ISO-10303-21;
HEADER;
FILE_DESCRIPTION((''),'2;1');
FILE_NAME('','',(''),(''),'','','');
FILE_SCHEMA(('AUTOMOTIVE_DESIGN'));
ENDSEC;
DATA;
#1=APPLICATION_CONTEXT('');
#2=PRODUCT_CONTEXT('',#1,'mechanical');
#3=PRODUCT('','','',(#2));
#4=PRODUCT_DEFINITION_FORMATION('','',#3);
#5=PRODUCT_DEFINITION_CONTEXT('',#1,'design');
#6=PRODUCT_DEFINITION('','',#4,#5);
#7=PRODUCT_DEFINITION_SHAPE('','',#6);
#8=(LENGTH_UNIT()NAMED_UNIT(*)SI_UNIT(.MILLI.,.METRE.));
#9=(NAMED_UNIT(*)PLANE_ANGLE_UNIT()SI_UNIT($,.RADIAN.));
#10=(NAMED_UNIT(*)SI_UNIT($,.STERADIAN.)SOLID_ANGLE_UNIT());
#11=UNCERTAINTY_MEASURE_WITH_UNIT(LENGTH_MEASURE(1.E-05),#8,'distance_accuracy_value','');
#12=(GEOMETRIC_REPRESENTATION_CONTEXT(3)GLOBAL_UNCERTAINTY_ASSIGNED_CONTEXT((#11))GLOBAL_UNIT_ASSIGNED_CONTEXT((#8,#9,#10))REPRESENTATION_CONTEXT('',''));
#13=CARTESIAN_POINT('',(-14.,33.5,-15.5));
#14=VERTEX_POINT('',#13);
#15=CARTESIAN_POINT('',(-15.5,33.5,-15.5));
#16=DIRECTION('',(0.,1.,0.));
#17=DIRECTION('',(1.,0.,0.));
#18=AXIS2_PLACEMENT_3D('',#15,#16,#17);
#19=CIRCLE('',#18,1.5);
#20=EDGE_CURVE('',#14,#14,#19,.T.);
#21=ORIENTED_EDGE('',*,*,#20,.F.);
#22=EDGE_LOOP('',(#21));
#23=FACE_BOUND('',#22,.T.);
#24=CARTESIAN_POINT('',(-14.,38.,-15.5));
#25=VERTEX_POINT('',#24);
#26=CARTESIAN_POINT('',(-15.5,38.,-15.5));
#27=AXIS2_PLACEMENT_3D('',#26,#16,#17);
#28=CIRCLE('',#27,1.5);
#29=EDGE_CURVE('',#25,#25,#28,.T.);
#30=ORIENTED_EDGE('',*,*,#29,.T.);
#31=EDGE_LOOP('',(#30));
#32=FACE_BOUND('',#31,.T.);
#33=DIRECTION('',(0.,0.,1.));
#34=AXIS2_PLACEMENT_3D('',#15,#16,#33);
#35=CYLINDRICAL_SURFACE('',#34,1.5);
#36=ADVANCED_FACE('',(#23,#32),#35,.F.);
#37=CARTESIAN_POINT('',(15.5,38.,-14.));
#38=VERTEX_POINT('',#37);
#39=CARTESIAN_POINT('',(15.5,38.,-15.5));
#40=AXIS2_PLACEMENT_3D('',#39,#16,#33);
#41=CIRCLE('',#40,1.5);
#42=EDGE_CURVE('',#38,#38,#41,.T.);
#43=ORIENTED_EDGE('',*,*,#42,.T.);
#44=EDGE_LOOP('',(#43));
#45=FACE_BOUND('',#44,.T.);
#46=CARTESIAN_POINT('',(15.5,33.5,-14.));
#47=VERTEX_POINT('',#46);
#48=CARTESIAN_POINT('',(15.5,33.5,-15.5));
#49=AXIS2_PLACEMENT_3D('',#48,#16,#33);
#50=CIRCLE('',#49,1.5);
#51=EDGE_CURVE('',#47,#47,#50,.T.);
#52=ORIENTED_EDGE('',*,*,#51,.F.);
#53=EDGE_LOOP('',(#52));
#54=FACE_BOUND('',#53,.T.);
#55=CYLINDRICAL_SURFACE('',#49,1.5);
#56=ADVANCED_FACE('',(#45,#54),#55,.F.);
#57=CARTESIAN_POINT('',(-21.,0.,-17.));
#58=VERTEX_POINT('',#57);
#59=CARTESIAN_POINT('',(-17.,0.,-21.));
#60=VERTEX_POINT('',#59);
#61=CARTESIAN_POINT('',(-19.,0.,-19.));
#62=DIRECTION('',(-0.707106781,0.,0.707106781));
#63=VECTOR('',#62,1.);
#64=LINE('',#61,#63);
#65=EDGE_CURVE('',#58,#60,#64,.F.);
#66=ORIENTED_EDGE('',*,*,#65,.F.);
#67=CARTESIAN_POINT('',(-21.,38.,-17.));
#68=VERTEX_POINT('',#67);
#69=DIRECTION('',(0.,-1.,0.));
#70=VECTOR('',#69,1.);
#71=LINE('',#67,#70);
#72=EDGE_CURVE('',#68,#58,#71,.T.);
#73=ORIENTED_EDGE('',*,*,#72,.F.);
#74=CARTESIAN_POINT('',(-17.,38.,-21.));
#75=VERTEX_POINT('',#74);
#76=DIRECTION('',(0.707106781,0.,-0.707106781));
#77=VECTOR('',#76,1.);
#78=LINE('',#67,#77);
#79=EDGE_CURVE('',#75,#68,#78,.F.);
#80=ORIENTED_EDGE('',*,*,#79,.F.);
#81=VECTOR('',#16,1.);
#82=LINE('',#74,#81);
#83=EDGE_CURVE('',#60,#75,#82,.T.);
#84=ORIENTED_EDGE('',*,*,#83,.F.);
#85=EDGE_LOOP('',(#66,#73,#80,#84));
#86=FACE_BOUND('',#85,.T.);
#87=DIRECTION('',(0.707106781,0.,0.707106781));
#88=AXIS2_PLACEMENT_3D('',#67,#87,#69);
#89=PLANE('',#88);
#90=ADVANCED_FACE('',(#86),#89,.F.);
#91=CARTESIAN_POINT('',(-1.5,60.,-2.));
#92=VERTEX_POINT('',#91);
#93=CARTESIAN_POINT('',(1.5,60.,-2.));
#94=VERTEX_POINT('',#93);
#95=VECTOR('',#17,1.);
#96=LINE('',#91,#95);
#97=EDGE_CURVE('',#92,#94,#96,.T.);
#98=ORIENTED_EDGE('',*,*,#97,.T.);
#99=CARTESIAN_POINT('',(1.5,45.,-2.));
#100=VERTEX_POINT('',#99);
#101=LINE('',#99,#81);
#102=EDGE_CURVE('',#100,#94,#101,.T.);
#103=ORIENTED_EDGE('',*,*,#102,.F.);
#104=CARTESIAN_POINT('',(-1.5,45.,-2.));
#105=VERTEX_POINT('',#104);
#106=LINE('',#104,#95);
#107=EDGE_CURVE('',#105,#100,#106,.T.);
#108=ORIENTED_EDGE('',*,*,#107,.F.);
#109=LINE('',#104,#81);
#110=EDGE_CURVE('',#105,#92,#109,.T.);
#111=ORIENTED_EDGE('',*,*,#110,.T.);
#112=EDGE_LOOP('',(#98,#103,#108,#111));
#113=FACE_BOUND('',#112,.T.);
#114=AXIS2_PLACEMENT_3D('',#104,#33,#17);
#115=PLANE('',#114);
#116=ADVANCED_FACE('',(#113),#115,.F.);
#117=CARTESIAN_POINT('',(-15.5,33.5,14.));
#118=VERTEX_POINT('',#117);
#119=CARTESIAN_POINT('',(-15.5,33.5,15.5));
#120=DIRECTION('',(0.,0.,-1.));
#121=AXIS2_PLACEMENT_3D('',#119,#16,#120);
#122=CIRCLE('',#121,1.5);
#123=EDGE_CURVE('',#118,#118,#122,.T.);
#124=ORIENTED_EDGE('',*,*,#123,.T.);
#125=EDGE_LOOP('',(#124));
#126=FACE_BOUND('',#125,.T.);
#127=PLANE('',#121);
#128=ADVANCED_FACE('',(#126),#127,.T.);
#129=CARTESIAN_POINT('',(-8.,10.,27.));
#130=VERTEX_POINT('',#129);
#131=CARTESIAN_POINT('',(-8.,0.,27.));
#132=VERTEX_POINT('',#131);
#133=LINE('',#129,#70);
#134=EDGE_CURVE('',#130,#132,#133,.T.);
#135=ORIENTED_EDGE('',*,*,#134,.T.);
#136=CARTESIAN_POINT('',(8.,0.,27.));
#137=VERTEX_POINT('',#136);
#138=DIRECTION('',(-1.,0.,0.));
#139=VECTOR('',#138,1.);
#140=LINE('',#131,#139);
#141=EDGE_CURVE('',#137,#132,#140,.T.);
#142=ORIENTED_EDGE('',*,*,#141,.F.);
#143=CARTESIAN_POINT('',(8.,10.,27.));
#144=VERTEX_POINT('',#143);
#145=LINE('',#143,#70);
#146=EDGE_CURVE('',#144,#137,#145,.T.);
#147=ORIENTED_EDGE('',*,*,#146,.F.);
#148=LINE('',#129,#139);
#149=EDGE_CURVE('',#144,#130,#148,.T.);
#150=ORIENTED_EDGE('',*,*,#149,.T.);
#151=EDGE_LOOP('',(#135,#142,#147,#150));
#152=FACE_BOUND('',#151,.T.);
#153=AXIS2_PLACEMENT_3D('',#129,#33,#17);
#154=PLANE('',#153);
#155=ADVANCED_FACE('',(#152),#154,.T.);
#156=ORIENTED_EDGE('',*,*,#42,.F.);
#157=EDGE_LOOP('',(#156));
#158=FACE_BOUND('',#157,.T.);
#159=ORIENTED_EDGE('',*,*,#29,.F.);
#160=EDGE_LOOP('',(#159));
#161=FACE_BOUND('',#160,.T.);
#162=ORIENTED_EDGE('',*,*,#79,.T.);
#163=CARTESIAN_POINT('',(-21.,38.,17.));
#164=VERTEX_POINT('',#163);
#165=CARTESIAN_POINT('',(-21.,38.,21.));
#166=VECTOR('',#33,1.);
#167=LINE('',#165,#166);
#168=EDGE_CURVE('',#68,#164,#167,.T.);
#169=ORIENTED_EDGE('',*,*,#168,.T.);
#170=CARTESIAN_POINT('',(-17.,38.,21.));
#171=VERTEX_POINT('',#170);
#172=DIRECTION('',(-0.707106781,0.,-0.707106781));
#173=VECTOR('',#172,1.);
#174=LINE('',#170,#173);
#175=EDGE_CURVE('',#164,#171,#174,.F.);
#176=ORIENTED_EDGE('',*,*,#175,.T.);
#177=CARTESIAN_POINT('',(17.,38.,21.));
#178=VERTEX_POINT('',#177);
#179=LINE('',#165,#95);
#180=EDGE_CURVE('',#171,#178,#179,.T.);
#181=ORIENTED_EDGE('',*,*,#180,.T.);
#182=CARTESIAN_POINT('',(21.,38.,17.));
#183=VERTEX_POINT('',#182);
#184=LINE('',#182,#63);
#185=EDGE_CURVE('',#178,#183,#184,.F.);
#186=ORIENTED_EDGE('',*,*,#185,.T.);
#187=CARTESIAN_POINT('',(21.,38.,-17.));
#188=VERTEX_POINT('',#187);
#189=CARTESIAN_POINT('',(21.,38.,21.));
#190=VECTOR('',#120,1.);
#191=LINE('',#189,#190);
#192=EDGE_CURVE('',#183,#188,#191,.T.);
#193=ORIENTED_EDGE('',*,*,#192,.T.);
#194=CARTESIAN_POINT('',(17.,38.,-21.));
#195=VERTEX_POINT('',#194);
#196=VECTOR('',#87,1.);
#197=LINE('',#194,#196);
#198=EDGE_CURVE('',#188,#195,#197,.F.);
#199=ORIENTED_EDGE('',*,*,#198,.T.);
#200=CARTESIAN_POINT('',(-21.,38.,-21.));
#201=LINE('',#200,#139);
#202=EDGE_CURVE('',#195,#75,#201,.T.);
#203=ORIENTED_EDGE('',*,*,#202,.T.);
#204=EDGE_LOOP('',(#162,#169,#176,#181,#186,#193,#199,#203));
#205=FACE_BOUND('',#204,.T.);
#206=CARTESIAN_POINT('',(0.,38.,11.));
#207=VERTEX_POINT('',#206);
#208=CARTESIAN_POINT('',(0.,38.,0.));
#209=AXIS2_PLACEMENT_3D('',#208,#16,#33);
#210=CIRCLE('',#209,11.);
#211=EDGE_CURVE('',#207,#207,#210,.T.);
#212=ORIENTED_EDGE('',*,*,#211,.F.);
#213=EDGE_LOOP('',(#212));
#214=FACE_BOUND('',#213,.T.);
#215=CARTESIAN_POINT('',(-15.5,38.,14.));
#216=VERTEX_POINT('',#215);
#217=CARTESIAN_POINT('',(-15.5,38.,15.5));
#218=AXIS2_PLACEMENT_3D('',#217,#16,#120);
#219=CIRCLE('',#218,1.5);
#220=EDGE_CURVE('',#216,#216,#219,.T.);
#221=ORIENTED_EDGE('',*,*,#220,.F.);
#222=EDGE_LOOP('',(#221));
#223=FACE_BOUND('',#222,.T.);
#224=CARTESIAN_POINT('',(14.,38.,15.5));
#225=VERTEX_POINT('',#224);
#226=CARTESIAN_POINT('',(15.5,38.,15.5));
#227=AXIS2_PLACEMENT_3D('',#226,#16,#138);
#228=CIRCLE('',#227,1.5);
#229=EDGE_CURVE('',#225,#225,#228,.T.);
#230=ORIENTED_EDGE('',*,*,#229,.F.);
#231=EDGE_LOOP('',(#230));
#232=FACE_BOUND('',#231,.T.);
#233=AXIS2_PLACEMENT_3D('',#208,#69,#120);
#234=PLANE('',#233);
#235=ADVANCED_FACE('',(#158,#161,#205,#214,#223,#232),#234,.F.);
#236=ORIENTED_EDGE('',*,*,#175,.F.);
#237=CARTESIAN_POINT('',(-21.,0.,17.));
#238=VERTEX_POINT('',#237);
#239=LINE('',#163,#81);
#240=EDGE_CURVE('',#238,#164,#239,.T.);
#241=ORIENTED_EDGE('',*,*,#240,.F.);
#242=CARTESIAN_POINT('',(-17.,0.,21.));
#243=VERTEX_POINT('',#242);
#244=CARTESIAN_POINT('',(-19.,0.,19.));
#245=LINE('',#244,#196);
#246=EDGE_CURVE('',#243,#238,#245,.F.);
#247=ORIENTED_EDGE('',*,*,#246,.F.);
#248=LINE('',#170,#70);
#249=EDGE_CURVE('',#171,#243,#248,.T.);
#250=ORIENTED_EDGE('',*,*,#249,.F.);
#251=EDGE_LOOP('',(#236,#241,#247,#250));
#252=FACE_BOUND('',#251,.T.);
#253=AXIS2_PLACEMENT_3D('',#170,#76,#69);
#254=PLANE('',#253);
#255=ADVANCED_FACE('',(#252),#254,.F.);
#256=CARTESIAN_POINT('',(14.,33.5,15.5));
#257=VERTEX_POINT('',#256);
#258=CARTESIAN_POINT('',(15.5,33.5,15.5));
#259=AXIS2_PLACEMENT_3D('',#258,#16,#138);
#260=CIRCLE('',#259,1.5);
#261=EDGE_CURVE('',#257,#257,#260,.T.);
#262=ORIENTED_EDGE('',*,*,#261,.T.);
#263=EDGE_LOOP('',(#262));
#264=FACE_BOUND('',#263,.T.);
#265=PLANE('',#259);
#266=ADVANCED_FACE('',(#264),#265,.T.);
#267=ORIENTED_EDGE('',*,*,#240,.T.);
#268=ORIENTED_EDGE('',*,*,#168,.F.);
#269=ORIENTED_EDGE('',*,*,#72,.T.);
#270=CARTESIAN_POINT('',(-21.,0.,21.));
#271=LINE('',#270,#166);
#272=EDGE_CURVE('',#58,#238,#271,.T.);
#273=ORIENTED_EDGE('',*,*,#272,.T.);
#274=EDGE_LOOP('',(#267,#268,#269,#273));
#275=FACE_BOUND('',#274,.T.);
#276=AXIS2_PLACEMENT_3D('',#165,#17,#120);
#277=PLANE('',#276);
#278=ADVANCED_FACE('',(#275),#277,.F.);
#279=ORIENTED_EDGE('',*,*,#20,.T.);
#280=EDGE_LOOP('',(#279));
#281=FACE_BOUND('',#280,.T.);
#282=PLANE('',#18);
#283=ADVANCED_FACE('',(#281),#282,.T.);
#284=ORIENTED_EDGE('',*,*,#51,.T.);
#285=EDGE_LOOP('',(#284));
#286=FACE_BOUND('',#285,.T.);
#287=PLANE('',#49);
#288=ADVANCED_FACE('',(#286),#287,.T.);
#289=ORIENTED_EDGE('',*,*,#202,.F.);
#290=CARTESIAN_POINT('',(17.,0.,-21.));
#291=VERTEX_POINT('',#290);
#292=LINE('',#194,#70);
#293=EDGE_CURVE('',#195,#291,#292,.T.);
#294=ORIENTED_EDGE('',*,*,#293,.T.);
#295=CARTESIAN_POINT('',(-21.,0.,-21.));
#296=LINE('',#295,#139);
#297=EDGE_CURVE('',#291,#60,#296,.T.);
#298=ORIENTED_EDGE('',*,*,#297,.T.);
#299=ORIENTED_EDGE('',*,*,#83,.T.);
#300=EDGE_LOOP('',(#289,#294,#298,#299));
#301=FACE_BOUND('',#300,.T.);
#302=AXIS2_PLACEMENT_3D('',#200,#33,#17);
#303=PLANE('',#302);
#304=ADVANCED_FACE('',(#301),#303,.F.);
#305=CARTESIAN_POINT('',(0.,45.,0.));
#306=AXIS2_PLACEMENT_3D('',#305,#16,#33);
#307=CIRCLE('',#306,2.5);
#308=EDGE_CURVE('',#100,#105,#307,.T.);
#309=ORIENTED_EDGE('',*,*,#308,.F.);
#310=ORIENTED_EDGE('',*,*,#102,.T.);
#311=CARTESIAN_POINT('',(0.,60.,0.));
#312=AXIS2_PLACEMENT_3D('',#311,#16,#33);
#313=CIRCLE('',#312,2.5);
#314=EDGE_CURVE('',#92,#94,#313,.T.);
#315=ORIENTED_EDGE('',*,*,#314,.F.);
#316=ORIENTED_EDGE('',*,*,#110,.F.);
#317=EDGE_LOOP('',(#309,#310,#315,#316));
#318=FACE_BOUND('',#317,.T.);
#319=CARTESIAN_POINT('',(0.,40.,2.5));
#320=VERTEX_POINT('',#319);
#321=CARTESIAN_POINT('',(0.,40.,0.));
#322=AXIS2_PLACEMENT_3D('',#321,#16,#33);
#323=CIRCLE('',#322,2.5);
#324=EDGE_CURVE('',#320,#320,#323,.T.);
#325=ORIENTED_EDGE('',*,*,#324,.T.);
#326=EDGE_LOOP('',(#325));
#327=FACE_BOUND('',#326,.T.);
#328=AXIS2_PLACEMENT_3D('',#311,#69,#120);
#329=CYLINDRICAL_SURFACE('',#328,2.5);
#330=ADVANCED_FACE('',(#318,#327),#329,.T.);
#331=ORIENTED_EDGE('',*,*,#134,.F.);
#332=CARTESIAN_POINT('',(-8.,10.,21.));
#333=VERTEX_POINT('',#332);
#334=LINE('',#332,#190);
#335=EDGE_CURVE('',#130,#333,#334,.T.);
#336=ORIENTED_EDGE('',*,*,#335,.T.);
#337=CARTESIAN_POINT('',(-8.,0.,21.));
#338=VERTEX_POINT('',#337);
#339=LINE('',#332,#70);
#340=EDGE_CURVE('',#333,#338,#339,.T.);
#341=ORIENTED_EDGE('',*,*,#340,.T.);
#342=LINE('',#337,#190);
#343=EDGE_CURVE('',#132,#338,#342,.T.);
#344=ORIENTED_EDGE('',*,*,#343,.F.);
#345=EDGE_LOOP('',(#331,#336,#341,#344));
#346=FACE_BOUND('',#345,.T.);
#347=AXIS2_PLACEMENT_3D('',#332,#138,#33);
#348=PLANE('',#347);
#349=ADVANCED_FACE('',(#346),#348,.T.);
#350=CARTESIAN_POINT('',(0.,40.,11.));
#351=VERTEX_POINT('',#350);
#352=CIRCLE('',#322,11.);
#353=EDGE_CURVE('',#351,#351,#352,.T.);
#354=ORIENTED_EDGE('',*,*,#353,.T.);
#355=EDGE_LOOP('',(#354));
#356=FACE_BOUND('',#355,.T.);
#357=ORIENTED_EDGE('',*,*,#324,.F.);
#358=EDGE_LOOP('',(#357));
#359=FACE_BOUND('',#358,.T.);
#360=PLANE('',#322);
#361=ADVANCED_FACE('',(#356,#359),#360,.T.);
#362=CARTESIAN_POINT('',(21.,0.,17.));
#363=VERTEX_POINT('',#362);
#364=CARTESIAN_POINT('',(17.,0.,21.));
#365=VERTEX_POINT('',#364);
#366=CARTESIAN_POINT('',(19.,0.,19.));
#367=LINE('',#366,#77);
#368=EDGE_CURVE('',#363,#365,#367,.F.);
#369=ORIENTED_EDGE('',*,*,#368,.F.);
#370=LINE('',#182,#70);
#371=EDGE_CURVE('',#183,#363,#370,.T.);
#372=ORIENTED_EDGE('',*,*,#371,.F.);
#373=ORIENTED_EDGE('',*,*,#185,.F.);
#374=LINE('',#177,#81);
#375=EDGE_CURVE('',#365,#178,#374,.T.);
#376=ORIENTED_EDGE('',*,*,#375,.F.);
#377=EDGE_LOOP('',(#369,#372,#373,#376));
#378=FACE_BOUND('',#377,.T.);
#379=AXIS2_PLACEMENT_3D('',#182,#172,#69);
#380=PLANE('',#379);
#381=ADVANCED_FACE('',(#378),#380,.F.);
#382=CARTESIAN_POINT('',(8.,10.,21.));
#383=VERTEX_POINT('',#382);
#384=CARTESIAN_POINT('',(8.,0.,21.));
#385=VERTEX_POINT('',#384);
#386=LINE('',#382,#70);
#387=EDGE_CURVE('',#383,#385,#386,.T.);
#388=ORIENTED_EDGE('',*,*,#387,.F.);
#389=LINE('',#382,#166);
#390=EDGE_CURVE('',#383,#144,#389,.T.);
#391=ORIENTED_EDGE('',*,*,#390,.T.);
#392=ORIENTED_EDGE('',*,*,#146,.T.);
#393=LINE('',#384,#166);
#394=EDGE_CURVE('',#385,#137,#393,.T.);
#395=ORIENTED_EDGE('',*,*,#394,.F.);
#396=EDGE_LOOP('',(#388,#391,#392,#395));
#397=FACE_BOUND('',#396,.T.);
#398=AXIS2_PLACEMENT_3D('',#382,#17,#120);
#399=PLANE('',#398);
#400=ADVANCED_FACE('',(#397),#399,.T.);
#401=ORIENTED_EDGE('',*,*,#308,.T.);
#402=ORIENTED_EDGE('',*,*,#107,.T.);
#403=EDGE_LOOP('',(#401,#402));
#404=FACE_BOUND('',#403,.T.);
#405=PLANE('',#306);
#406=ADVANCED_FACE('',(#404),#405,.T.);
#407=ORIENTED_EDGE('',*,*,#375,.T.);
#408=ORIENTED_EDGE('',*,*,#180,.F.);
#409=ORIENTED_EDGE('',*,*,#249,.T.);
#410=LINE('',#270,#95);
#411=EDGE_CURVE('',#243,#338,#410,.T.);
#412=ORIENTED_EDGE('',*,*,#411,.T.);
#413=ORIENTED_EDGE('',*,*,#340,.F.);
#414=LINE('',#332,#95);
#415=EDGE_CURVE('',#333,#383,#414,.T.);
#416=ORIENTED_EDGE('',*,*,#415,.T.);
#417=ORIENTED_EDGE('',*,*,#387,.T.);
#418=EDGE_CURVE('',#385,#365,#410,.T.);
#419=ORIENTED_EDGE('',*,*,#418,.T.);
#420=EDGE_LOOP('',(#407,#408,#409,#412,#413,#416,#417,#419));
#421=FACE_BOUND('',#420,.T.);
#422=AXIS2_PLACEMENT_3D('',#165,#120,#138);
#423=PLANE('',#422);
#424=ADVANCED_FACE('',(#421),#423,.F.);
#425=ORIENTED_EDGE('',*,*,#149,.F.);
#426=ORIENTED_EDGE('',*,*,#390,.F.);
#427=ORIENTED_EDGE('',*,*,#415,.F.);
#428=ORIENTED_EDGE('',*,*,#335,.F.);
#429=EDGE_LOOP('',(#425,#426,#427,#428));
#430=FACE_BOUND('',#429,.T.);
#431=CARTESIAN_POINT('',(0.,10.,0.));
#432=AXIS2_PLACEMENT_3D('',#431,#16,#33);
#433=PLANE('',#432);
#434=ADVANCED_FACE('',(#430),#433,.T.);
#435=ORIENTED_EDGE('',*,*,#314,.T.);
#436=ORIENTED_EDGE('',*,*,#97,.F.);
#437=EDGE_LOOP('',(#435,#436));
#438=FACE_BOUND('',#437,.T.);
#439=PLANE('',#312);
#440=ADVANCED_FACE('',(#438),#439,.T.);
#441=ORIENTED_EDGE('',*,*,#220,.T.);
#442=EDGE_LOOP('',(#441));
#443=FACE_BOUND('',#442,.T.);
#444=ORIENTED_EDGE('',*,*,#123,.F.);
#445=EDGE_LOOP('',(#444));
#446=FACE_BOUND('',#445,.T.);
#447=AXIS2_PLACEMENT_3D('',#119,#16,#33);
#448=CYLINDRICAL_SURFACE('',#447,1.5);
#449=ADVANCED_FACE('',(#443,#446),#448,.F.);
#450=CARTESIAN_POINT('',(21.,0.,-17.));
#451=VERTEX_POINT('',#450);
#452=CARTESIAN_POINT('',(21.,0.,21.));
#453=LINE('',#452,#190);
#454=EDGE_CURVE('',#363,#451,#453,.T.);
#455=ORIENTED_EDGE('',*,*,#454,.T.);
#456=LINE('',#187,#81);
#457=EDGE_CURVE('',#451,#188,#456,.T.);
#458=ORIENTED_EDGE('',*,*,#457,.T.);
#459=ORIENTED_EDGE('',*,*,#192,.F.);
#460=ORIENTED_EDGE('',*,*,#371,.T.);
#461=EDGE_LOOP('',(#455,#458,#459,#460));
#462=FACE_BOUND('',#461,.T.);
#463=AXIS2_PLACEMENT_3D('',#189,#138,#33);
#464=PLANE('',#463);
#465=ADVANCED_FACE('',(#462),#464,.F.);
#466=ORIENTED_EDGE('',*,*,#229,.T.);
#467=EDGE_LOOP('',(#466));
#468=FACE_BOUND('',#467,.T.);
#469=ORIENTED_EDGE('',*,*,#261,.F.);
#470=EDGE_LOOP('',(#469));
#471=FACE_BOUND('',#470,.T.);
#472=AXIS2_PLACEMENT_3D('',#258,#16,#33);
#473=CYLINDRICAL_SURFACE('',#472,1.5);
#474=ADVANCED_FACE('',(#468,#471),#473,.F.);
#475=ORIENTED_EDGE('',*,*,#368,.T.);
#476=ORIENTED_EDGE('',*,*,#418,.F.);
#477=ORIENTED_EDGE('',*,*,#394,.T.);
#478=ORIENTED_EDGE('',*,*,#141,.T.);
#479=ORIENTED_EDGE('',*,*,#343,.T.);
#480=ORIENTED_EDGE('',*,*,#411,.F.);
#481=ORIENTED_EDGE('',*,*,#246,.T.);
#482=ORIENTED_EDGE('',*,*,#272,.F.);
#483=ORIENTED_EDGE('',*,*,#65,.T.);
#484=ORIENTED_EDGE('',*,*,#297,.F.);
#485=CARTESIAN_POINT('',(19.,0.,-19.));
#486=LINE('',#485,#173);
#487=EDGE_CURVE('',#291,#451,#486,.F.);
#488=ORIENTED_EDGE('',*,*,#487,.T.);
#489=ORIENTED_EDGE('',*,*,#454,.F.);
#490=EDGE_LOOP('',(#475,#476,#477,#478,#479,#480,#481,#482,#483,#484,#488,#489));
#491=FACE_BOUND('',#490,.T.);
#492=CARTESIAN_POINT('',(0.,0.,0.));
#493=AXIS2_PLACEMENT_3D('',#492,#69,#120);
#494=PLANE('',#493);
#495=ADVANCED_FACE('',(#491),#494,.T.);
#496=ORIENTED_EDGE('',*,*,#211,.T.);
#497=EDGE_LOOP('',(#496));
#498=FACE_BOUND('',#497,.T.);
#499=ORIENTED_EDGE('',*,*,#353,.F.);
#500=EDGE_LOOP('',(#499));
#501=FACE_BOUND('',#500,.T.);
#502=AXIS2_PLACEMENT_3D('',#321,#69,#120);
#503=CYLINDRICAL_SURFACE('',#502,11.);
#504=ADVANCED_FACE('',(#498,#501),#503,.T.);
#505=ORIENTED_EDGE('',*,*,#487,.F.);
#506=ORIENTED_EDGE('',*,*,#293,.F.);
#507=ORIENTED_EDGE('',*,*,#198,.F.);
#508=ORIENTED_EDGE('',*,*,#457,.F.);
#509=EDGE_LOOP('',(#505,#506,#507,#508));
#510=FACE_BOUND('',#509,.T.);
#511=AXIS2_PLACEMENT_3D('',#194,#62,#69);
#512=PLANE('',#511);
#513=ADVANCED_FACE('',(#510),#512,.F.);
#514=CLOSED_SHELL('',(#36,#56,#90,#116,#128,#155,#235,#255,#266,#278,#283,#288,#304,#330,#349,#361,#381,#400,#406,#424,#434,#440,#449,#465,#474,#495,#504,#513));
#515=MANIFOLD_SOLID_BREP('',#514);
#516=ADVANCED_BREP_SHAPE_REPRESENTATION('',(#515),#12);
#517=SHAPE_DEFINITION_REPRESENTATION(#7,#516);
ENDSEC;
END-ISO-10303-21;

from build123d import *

# Parameters (mm, degrees)
SKETCH_1_W               = 42
SKETCH_1_H               = 42
EXTRUDE_1_DEPTH          = 38
SKETCH_2_R               = 11
EXTRUDE_2_DEPTH          = 2
SKETCH_3_R               = 2.5
EXTRUDE_3_DEPTH          = 20
CUT_EXTRUDE_START        = -15
CUT_EXTRUDE_1_DEPTH      = 15
SKETCH_5_R               = 1.5
CUT_EXTRUDE_2_DEPTH      = 4.5
PATTERN_CIRCULAR_1_COUNT = 4
SKETCH_6_W               = 16
SKETCH_6_H               = 6
EXTRUDE_4_DEPTH          = 10
CHAMFER_1_SIZE           = 4


with BuildPart() as part:
    # 草图1 → 凸台-拉伸1 (new body)
    with BuildSketch(Plane(origin=(0, 0, 0), x_dir=(1, 0, 0), z_dir=(0, 1, 0))):
        Rectangle(SKETCH_1_W, SKETCH_1_H)
    extrude(amount=EXTRUDE_1_DEPTH)

    # 草图2 → 凸台-拉伸2 (add)
    with BuildSketch(Plane(origin=(0, 38, 0), x_dir=(1, 0, 0), z_dir=(0, 1, 0))):
        with Locations(Location((0, 0, 0), (0, 0, 270))):
            Circle(SKETCH_2_R)
    extrude(amount=EXTRUDE_2_DEPTH)

    # 草图3 → 凸台-拉伸3 (add)
    with BuildSketch(Plane(origin=(0, 40, 0), x_dir=(1, 0, 0), z_dir=(0, 1, 0))):
        with Locations(Location((0, 0, 0), (0, 0, 270))):
            Circle(SKETCH_3_R)
    extrude(amount=EXTRUDE_3_DEPTH)

    # 草图4 → 切除-拉伸1 (cut)
    with BuildSketch(Plane(origin=(0, 60, 0), x_dir=(1, 0, 0), z_dir=(0, 1, 0)).offset(CUT_EXTRUDE_START)):
        with BuildLine():
            Line((-1.5, 2), (1.5, 2))
            ThreePointArc((1.5, 2), (0, 2.5), (-1.5, 2))
        make_face()
    extrude(amount=CUT_EXTRUDE_1_DEPTH, mode=Mode.SUBTRACT)

    # 草图5 → 切除-拉伸2 (cut)
    with BuildSketch(Plane(origin=(0, 38, 0), x_dir=(1, 0, 0), z_dir=(0, 1, 0))):
        with Locations(Location((15.5, 15.5, 0), (0, 0, 270))):
            Circle(SKETCH_5_R)
    cut_extrude_2 = extrude(amount=-CUT_EXTRUDE_2_DEPTH, mode=Mode.SUBTRACT)

    # 阵列(圆周)1: 切除-拉伸2 ×4 about axis
    pattern_circular_1_axis = Axis((0, 0, 0), (0, 1, 0))
    for i in range(1, PATTERN_CIRCULAR_1_COUNT):
        add(cut_extrude_2.rotate(pattern_circular_1_axis, i * 360 / PATTERN_CIRCULAR_1_COUNT), mode=Mode.SUBTRACT)

    # 草图6 → 凸台-拉伸4 (add)
    with BuildSketch(Plane.XZ):
        with Locations((0, 24)):
            Rectangle(SKETCH_6_W, SKETCH_6_H)
    extrude(amount=-EXTRUDE_4_DEPTH)

    # 倒角1
    chamfer_1_edges = [part.edges().sort_by_distance(p)[0] for p in [
        (21, 19, 21),
        (-21, 19, 21),
        (-21, 19, -21),
        (21, 19, -21),
    ]]
    chamfer(chamfer_1_edges, length=CHAMFER_1_SIZE)


solid = part.part
